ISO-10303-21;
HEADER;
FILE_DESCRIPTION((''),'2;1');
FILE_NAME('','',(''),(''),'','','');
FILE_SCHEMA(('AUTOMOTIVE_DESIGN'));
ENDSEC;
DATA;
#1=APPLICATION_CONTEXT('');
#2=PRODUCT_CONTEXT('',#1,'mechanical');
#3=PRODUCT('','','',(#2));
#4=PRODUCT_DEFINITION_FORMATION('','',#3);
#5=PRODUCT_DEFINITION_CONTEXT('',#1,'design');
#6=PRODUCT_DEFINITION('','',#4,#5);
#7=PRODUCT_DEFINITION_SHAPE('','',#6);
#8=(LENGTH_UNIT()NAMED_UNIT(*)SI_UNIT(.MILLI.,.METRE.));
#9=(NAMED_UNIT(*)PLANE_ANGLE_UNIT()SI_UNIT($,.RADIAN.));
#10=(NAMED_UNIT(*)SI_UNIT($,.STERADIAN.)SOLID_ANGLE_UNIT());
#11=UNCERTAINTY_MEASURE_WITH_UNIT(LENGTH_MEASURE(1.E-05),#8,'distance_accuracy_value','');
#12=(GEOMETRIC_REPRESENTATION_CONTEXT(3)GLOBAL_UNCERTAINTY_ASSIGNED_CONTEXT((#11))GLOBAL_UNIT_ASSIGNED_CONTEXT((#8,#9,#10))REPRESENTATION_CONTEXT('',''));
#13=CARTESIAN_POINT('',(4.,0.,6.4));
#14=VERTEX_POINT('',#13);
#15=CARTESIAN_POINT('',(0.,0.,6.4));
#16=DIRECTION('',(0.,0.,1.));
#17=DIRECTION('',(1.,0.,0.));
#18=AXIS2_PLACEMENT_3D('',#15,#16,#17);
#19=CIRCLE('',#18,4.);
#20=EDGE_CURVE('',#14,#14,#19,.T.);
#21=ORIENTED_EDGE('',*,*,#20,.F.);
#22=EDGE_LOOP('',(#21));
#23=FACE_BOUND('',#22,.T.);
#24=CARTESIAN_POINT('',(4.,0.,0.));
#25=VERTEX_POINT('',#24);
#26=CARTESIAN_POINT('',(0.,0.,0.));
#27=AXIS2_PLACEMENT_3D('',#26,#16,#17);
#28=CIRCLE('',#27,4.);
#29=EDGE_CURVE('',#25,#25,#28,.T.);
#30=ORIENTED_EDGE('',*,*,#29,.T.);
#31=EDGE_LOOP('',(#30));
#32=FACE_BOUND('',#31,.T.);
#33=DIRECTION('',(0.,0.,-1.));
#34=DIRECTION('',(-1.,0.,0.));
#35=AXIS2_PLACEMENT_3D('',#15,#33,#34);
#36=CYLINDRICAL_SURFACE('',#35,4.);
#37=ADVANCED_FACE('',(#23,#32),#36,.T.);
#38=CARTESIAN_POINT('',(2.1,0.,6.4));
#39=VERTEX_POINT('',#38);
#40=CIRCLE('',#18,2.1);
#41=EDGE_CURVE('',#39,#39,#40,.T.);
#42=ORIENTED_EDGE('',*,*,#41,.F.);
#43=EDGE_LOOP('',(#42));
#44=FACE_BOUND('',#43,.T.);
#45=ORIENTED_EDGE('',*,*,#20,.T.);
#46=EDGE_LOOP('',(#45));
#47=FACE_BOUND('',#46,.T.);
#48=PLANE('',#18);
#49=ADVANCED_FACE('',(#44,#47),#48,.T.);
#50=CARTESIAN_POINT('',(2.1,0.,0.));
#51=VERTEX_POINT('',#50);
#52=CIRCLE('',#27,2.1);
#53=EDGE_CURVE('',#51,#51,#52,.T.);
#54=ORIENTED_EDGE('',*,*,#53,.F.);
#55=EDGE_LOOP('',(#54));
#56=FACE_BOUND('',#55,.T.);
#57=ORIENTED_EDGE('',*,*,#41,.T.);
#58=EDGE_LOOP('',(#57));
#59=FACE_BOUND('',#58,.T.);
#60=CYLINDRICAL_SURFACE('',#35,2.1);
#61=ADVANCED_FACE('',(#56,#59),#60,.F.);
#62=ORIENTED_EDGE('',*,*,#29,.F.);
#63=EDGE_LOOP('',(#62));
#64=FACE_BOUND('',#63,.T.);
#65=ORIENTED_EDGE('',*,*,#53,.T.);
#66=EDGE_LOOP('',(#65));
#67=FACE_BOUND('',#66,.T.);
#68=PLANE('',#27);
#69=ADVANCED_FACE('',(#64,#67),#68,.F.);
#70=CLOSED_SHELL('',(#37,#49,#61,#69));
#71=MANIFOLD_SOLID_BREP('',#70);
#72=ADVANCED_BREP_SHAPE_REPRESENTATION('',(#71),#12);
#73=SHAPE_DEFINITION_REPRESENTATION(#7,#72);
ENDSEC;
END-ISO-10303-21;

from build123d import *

# Parameters (mm, degrees)
SKETCH_1_R      = 4
SKETCH_1_R_2    = 2.1
EXTRUDE_1_DEPTH = 6.4


with BuildPart() as part:
    # ｽｹｯﾁ1 → ﾎﾞｽ - 押し出し1 (new body)
    with BuildSketch(Plane.XY):
        Circle(SKETCH_1_R)
        Circle(SKETCH_1_R_2, mode=Mode.SUBTRACT)
    extrude(amount=EXTRUDE_1_DEPTH)


solid = part.part
